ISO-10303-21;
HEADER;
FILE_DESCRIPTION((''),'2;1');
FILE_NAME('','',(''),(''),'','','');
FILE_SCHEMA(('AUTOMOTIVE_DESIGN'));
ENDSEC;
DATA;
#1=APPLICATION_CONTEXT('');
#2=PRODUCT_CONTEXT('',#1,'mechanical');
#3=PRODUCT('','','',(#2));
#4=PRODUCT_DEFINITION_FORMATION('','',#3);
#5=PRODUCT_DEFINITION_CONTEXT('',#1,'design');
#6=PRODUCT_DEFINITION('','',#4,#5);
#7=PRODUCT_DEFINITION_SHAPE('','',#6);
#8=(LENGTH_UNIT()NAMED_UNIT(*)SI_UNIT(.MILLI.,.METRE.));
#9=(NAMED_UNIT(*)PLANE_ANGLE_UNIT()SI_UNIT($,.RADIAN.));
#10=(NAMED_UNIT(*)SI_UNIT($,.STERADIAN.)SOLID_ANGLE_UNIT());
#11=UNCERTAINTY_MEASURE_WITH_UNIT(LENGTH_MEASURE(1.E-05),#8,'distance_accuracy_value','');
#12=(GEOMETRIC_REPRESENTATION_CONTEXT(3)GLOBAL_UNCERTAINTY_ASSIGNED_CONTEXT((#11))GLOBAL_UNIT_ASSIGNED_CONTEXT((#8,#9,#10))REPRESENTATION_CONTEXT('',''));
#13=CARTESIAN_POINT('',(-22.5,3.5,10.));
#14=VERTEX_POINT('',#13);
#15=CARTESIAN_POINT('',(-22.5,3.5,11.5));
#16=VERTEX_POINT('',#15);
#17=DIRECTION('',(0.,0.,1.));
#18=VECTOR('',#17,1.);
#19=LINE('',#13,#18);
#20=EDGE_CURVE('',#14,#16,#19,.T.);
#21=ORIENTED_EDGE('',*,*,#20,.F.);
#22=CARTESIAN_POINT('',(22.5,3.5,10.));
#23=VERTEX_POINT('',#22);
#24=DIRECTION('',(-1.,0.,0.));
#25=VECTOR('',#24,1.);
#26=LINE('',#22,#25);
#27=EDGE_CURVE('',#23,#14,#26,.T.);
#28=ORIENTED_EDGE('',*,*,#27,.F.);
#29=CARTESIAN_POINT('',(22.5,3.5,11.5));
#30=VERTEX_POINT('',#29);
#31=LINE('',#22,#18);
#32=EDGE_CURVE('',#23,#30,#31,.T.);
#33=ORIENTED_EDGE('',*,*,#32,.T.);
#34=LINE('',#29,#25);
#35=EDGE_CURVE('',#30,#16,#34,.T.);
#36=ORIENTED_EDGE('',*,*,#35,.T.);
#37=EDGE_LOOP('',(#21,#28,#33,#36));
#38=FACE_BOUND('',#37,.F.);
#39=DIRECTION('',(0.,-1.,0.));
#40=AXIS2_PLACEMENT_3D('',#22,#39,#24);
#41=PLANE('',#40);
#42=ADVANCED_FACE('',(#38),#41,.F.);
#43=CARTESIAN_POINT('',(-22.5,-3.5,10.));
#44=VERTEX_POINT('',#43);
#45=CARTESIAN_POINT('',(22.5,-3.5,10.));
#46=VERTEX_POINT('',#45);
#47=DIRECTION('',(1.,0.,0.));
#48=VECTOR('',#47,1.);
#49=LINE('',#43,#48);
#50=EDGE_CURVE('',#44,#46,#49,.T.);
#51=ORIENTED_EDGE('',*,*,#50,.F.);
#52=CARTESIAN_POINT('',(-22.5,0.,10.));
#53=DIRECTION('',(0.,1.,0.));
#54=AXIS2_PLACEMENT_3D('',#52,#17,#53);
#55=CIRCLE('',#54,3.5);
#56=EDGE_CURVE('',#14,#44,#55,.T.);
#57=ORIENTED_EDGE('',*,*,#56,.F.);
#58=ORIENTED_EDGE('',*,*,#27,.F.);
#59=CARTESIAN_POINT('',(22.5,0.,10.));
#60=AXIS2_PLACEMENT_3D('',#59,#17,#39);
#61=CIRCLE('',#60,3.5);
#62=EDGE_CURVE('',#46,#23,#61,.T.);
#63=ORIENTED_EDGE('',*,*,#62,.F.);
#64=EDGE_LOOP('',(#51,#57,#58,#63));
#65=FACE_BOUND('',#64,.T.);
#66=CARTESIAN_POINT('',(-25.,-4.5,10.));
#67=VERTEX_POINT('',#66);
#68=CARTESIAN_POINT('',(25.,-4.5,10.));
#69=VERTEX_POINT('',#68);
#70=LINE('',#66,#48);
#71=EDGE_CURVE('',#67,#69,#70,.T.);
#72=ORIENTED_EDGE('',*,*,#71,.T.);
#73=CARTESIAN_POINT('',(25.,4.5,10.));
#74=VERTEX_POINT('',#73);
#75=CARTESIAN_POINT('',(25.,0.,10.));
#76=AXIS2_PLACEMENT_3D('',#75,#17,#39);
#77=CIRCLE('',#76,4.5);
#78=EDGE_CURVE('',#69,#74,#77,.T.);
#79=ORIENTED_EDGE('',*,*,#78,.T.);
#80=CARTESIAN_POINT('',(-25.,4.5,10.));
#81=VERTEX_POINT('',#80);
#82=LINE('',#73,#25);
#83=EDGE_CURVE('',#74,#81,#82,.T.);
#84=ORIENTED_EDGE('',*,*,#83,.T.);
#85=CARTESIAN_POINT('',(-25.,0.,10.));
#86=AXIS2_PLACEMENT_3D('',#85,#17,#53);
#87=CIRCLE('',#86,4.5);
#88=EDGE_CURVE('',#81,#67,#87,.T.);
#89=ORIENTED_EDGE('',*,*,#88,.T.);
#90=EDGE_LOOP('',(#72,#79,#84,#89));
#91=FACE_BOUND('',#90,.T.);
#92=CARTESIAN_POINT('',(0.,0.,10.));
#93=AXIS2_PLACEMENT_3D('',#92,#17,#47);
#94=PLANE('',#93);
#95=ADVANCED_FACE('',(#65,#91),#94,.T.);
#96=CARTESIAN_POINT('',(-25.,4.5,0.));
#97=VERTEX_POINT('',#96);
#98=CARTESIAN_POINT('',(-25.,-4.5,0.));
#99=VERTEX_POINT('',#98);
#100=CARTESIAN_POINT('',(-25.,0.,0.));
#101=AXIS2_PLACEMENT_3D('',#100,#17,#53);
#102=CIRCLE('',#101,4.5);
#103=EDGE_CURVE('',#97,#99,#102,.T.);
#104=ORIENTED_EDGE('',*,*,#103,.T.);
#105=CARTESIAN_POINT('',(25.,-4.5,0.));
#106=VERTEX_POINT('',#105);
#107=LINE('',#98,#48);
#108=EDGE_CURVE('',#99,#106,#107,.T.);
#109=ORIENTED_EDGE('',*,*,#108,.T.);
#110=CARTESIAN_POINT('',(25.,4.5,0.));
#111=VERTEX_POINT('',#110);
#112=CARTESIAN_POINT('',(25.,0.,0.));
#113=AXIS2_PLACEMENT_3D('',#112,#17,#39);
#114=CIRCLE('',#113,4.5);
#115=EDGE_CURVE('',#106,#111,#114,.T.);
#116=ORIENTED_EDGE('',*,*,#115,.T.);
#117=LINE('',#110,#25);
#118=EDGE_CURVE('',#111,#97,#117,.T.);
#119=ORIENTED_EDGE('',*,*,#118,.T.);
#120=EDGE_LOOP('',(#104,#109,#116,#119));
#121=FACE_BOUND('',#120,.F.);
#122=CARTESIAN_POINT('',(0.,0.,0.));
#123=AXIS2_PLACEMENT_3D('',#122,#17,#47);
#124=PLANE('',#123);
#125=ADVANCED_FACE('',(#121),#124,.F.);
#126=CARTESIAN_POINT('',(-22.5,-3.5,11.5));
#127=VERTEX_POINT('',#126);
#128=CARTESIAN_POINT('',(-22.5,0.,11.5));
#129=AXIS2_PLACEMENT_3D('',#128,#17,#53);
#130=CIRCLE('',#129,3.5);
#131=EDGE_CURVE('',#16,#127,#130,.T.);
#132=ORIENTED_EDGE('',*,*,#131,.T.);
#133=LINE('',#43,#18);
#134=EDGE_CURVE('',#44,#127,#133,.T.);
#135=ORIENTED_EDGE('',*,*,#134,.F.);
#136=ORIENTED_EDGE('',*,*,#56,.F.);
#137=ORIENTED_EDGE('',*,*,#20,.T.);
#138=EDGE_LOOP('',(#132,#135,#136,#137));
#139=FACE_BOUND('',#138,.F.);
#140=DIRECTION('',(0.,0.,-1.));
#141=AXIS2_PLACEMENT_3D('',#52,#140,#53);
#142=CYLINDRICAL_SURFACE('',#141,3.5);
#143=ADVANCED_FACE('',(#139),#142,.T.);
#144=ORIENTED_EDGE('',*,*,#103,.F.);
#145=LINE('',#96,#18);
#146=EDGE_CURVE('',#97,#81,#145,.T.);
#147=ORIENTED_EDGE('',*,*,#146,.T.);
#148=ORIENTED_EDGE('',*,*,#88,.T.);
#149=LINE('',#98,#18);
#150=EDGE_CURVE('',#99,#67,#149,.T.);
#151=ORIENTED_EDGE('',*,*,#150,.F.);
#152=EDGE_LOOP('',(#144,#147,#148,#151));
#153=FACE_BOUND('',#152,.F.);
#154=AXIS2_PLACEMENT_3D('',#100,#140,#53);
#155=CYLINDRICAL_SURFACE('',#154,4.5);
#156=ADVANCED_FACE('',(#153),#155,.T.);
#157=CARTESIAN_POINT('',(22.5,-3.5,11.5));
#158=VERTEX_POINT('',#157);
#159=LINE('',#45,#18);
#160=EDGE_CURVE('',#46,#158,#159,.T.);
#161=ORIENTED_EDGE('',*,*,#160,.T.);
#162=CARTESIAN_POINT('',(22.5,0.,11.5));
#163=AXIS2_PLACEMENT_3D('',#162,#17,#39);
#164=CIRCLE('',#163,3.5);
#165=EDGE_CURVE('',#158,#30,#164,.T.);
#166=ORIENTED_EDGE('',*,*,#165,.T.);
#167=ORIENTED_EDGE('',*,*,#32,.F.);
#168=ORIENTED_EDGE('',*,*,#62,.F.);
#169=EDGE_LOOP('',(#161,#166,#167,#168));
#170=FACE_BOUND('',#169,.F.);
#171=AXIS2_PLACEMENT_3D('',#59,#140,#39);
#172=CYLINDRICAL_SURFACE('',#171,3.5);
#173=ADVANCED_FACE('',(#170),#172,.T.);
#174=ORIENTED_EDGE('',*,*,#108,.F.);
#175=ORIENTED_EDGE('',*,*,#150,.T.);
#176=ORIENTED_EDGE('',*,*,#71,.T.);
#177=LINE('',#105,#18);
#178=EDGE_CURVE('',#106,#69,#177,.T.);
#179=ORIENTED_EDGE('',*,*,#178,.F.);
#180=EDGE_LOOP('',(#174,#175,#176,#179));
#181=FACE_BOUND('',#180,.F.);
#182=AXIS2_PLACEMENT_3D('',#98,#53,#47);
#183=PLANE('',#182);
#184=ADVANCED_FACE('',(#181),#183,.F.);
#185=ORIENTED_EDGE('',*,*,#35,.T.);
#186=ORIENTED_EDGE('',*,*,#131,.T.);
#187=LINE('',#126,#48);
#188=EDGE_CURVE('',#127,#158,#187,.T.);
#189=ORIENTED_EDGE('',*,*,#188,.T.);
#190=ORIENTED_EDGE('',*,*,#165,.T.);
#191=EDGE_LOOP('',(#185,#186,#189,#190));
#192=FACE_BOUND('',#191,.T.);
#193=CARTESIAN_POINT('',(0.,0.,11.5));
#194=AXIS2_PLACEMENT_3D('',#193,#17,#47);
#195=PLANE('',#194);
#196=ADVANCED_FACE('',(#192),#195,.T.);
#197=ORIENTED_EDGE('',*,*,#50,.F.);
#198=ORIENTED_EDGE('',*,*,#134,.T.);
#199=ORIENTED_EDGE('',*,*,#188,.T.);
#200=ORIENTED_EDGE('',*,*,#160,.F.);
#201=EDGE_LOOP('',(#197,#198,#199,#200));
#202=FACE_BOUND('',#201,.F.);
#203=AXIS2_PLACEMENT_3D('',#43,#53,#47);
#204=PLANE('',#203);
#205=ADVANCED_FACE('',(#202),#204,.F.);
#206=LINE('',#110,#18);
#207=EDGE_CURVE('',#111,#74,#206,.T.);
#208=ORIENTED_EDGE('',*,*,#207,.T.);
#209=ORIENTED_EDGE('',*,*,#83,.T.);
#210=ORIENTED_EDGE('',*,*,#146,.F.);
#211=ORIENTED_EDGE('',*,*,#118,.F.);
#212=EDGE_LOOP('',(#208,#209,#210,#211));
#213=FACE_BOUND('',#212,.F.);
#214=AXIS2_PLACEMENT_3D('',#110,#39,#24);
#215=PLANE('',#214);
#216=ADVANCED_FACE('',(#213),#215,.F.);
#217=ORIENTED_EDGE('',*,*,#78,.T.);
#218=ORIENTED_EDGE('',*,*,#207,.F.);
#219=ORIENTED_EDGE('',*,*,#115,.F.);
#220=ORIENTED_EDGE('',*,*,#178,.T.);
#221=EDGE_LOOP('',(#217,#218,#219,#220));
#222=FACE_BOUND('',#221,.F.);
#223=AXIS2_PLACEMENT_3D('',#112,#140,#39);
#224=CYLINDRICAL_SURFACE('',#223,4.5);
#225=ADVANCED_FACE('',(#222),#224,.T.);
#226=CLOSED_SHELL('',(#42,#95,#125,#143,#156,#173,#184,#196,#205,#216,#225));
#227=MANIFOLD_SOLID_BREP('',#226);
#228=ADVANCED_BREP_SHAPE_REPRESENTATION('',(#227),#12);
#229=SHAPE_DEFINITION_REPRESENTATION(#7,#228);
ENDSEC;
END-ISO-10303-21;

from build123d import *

# Parameters (mm, degrees)
F2_DEPTH = 10
F5_DEPTH = 1.5


with BuildPart() as f2:
    # F1 (on Top) → F2 (new body)
    with BuildSketch(Plane.XY):
        with BuildLine():
            ThreePointArc((-25, 4.5), (-29.5, 0), (-25, -4.5))
            Line((-25, -4.5), (25, -4.5))
            ThreePointArc((25, -4.5), (29.5, 0), (25, 4.5))
            Line((25, 4.5), (-25, 4.5))
        make_face()
    extrude(amount=F2_DEPTH)

    # F4 (on face) → F5 (join)
    with BuildSketch(Plane.XY.offset(10)):
        with BuildLine():
            ThreePointArc((-22.5, 3.5), (-26, 0), (-22.5, -3.5))
            Line((-22.5, -3.5), (22.5, -3.5))
            ThreePointArc((22.5, -3.5), (26, 0), (22.5, 3.5))
            Line((22.5, 3.5), (-22.5, 3.5))
        make_face()
    extrude(amount=F5_DEPTH)


solid = f2.part
